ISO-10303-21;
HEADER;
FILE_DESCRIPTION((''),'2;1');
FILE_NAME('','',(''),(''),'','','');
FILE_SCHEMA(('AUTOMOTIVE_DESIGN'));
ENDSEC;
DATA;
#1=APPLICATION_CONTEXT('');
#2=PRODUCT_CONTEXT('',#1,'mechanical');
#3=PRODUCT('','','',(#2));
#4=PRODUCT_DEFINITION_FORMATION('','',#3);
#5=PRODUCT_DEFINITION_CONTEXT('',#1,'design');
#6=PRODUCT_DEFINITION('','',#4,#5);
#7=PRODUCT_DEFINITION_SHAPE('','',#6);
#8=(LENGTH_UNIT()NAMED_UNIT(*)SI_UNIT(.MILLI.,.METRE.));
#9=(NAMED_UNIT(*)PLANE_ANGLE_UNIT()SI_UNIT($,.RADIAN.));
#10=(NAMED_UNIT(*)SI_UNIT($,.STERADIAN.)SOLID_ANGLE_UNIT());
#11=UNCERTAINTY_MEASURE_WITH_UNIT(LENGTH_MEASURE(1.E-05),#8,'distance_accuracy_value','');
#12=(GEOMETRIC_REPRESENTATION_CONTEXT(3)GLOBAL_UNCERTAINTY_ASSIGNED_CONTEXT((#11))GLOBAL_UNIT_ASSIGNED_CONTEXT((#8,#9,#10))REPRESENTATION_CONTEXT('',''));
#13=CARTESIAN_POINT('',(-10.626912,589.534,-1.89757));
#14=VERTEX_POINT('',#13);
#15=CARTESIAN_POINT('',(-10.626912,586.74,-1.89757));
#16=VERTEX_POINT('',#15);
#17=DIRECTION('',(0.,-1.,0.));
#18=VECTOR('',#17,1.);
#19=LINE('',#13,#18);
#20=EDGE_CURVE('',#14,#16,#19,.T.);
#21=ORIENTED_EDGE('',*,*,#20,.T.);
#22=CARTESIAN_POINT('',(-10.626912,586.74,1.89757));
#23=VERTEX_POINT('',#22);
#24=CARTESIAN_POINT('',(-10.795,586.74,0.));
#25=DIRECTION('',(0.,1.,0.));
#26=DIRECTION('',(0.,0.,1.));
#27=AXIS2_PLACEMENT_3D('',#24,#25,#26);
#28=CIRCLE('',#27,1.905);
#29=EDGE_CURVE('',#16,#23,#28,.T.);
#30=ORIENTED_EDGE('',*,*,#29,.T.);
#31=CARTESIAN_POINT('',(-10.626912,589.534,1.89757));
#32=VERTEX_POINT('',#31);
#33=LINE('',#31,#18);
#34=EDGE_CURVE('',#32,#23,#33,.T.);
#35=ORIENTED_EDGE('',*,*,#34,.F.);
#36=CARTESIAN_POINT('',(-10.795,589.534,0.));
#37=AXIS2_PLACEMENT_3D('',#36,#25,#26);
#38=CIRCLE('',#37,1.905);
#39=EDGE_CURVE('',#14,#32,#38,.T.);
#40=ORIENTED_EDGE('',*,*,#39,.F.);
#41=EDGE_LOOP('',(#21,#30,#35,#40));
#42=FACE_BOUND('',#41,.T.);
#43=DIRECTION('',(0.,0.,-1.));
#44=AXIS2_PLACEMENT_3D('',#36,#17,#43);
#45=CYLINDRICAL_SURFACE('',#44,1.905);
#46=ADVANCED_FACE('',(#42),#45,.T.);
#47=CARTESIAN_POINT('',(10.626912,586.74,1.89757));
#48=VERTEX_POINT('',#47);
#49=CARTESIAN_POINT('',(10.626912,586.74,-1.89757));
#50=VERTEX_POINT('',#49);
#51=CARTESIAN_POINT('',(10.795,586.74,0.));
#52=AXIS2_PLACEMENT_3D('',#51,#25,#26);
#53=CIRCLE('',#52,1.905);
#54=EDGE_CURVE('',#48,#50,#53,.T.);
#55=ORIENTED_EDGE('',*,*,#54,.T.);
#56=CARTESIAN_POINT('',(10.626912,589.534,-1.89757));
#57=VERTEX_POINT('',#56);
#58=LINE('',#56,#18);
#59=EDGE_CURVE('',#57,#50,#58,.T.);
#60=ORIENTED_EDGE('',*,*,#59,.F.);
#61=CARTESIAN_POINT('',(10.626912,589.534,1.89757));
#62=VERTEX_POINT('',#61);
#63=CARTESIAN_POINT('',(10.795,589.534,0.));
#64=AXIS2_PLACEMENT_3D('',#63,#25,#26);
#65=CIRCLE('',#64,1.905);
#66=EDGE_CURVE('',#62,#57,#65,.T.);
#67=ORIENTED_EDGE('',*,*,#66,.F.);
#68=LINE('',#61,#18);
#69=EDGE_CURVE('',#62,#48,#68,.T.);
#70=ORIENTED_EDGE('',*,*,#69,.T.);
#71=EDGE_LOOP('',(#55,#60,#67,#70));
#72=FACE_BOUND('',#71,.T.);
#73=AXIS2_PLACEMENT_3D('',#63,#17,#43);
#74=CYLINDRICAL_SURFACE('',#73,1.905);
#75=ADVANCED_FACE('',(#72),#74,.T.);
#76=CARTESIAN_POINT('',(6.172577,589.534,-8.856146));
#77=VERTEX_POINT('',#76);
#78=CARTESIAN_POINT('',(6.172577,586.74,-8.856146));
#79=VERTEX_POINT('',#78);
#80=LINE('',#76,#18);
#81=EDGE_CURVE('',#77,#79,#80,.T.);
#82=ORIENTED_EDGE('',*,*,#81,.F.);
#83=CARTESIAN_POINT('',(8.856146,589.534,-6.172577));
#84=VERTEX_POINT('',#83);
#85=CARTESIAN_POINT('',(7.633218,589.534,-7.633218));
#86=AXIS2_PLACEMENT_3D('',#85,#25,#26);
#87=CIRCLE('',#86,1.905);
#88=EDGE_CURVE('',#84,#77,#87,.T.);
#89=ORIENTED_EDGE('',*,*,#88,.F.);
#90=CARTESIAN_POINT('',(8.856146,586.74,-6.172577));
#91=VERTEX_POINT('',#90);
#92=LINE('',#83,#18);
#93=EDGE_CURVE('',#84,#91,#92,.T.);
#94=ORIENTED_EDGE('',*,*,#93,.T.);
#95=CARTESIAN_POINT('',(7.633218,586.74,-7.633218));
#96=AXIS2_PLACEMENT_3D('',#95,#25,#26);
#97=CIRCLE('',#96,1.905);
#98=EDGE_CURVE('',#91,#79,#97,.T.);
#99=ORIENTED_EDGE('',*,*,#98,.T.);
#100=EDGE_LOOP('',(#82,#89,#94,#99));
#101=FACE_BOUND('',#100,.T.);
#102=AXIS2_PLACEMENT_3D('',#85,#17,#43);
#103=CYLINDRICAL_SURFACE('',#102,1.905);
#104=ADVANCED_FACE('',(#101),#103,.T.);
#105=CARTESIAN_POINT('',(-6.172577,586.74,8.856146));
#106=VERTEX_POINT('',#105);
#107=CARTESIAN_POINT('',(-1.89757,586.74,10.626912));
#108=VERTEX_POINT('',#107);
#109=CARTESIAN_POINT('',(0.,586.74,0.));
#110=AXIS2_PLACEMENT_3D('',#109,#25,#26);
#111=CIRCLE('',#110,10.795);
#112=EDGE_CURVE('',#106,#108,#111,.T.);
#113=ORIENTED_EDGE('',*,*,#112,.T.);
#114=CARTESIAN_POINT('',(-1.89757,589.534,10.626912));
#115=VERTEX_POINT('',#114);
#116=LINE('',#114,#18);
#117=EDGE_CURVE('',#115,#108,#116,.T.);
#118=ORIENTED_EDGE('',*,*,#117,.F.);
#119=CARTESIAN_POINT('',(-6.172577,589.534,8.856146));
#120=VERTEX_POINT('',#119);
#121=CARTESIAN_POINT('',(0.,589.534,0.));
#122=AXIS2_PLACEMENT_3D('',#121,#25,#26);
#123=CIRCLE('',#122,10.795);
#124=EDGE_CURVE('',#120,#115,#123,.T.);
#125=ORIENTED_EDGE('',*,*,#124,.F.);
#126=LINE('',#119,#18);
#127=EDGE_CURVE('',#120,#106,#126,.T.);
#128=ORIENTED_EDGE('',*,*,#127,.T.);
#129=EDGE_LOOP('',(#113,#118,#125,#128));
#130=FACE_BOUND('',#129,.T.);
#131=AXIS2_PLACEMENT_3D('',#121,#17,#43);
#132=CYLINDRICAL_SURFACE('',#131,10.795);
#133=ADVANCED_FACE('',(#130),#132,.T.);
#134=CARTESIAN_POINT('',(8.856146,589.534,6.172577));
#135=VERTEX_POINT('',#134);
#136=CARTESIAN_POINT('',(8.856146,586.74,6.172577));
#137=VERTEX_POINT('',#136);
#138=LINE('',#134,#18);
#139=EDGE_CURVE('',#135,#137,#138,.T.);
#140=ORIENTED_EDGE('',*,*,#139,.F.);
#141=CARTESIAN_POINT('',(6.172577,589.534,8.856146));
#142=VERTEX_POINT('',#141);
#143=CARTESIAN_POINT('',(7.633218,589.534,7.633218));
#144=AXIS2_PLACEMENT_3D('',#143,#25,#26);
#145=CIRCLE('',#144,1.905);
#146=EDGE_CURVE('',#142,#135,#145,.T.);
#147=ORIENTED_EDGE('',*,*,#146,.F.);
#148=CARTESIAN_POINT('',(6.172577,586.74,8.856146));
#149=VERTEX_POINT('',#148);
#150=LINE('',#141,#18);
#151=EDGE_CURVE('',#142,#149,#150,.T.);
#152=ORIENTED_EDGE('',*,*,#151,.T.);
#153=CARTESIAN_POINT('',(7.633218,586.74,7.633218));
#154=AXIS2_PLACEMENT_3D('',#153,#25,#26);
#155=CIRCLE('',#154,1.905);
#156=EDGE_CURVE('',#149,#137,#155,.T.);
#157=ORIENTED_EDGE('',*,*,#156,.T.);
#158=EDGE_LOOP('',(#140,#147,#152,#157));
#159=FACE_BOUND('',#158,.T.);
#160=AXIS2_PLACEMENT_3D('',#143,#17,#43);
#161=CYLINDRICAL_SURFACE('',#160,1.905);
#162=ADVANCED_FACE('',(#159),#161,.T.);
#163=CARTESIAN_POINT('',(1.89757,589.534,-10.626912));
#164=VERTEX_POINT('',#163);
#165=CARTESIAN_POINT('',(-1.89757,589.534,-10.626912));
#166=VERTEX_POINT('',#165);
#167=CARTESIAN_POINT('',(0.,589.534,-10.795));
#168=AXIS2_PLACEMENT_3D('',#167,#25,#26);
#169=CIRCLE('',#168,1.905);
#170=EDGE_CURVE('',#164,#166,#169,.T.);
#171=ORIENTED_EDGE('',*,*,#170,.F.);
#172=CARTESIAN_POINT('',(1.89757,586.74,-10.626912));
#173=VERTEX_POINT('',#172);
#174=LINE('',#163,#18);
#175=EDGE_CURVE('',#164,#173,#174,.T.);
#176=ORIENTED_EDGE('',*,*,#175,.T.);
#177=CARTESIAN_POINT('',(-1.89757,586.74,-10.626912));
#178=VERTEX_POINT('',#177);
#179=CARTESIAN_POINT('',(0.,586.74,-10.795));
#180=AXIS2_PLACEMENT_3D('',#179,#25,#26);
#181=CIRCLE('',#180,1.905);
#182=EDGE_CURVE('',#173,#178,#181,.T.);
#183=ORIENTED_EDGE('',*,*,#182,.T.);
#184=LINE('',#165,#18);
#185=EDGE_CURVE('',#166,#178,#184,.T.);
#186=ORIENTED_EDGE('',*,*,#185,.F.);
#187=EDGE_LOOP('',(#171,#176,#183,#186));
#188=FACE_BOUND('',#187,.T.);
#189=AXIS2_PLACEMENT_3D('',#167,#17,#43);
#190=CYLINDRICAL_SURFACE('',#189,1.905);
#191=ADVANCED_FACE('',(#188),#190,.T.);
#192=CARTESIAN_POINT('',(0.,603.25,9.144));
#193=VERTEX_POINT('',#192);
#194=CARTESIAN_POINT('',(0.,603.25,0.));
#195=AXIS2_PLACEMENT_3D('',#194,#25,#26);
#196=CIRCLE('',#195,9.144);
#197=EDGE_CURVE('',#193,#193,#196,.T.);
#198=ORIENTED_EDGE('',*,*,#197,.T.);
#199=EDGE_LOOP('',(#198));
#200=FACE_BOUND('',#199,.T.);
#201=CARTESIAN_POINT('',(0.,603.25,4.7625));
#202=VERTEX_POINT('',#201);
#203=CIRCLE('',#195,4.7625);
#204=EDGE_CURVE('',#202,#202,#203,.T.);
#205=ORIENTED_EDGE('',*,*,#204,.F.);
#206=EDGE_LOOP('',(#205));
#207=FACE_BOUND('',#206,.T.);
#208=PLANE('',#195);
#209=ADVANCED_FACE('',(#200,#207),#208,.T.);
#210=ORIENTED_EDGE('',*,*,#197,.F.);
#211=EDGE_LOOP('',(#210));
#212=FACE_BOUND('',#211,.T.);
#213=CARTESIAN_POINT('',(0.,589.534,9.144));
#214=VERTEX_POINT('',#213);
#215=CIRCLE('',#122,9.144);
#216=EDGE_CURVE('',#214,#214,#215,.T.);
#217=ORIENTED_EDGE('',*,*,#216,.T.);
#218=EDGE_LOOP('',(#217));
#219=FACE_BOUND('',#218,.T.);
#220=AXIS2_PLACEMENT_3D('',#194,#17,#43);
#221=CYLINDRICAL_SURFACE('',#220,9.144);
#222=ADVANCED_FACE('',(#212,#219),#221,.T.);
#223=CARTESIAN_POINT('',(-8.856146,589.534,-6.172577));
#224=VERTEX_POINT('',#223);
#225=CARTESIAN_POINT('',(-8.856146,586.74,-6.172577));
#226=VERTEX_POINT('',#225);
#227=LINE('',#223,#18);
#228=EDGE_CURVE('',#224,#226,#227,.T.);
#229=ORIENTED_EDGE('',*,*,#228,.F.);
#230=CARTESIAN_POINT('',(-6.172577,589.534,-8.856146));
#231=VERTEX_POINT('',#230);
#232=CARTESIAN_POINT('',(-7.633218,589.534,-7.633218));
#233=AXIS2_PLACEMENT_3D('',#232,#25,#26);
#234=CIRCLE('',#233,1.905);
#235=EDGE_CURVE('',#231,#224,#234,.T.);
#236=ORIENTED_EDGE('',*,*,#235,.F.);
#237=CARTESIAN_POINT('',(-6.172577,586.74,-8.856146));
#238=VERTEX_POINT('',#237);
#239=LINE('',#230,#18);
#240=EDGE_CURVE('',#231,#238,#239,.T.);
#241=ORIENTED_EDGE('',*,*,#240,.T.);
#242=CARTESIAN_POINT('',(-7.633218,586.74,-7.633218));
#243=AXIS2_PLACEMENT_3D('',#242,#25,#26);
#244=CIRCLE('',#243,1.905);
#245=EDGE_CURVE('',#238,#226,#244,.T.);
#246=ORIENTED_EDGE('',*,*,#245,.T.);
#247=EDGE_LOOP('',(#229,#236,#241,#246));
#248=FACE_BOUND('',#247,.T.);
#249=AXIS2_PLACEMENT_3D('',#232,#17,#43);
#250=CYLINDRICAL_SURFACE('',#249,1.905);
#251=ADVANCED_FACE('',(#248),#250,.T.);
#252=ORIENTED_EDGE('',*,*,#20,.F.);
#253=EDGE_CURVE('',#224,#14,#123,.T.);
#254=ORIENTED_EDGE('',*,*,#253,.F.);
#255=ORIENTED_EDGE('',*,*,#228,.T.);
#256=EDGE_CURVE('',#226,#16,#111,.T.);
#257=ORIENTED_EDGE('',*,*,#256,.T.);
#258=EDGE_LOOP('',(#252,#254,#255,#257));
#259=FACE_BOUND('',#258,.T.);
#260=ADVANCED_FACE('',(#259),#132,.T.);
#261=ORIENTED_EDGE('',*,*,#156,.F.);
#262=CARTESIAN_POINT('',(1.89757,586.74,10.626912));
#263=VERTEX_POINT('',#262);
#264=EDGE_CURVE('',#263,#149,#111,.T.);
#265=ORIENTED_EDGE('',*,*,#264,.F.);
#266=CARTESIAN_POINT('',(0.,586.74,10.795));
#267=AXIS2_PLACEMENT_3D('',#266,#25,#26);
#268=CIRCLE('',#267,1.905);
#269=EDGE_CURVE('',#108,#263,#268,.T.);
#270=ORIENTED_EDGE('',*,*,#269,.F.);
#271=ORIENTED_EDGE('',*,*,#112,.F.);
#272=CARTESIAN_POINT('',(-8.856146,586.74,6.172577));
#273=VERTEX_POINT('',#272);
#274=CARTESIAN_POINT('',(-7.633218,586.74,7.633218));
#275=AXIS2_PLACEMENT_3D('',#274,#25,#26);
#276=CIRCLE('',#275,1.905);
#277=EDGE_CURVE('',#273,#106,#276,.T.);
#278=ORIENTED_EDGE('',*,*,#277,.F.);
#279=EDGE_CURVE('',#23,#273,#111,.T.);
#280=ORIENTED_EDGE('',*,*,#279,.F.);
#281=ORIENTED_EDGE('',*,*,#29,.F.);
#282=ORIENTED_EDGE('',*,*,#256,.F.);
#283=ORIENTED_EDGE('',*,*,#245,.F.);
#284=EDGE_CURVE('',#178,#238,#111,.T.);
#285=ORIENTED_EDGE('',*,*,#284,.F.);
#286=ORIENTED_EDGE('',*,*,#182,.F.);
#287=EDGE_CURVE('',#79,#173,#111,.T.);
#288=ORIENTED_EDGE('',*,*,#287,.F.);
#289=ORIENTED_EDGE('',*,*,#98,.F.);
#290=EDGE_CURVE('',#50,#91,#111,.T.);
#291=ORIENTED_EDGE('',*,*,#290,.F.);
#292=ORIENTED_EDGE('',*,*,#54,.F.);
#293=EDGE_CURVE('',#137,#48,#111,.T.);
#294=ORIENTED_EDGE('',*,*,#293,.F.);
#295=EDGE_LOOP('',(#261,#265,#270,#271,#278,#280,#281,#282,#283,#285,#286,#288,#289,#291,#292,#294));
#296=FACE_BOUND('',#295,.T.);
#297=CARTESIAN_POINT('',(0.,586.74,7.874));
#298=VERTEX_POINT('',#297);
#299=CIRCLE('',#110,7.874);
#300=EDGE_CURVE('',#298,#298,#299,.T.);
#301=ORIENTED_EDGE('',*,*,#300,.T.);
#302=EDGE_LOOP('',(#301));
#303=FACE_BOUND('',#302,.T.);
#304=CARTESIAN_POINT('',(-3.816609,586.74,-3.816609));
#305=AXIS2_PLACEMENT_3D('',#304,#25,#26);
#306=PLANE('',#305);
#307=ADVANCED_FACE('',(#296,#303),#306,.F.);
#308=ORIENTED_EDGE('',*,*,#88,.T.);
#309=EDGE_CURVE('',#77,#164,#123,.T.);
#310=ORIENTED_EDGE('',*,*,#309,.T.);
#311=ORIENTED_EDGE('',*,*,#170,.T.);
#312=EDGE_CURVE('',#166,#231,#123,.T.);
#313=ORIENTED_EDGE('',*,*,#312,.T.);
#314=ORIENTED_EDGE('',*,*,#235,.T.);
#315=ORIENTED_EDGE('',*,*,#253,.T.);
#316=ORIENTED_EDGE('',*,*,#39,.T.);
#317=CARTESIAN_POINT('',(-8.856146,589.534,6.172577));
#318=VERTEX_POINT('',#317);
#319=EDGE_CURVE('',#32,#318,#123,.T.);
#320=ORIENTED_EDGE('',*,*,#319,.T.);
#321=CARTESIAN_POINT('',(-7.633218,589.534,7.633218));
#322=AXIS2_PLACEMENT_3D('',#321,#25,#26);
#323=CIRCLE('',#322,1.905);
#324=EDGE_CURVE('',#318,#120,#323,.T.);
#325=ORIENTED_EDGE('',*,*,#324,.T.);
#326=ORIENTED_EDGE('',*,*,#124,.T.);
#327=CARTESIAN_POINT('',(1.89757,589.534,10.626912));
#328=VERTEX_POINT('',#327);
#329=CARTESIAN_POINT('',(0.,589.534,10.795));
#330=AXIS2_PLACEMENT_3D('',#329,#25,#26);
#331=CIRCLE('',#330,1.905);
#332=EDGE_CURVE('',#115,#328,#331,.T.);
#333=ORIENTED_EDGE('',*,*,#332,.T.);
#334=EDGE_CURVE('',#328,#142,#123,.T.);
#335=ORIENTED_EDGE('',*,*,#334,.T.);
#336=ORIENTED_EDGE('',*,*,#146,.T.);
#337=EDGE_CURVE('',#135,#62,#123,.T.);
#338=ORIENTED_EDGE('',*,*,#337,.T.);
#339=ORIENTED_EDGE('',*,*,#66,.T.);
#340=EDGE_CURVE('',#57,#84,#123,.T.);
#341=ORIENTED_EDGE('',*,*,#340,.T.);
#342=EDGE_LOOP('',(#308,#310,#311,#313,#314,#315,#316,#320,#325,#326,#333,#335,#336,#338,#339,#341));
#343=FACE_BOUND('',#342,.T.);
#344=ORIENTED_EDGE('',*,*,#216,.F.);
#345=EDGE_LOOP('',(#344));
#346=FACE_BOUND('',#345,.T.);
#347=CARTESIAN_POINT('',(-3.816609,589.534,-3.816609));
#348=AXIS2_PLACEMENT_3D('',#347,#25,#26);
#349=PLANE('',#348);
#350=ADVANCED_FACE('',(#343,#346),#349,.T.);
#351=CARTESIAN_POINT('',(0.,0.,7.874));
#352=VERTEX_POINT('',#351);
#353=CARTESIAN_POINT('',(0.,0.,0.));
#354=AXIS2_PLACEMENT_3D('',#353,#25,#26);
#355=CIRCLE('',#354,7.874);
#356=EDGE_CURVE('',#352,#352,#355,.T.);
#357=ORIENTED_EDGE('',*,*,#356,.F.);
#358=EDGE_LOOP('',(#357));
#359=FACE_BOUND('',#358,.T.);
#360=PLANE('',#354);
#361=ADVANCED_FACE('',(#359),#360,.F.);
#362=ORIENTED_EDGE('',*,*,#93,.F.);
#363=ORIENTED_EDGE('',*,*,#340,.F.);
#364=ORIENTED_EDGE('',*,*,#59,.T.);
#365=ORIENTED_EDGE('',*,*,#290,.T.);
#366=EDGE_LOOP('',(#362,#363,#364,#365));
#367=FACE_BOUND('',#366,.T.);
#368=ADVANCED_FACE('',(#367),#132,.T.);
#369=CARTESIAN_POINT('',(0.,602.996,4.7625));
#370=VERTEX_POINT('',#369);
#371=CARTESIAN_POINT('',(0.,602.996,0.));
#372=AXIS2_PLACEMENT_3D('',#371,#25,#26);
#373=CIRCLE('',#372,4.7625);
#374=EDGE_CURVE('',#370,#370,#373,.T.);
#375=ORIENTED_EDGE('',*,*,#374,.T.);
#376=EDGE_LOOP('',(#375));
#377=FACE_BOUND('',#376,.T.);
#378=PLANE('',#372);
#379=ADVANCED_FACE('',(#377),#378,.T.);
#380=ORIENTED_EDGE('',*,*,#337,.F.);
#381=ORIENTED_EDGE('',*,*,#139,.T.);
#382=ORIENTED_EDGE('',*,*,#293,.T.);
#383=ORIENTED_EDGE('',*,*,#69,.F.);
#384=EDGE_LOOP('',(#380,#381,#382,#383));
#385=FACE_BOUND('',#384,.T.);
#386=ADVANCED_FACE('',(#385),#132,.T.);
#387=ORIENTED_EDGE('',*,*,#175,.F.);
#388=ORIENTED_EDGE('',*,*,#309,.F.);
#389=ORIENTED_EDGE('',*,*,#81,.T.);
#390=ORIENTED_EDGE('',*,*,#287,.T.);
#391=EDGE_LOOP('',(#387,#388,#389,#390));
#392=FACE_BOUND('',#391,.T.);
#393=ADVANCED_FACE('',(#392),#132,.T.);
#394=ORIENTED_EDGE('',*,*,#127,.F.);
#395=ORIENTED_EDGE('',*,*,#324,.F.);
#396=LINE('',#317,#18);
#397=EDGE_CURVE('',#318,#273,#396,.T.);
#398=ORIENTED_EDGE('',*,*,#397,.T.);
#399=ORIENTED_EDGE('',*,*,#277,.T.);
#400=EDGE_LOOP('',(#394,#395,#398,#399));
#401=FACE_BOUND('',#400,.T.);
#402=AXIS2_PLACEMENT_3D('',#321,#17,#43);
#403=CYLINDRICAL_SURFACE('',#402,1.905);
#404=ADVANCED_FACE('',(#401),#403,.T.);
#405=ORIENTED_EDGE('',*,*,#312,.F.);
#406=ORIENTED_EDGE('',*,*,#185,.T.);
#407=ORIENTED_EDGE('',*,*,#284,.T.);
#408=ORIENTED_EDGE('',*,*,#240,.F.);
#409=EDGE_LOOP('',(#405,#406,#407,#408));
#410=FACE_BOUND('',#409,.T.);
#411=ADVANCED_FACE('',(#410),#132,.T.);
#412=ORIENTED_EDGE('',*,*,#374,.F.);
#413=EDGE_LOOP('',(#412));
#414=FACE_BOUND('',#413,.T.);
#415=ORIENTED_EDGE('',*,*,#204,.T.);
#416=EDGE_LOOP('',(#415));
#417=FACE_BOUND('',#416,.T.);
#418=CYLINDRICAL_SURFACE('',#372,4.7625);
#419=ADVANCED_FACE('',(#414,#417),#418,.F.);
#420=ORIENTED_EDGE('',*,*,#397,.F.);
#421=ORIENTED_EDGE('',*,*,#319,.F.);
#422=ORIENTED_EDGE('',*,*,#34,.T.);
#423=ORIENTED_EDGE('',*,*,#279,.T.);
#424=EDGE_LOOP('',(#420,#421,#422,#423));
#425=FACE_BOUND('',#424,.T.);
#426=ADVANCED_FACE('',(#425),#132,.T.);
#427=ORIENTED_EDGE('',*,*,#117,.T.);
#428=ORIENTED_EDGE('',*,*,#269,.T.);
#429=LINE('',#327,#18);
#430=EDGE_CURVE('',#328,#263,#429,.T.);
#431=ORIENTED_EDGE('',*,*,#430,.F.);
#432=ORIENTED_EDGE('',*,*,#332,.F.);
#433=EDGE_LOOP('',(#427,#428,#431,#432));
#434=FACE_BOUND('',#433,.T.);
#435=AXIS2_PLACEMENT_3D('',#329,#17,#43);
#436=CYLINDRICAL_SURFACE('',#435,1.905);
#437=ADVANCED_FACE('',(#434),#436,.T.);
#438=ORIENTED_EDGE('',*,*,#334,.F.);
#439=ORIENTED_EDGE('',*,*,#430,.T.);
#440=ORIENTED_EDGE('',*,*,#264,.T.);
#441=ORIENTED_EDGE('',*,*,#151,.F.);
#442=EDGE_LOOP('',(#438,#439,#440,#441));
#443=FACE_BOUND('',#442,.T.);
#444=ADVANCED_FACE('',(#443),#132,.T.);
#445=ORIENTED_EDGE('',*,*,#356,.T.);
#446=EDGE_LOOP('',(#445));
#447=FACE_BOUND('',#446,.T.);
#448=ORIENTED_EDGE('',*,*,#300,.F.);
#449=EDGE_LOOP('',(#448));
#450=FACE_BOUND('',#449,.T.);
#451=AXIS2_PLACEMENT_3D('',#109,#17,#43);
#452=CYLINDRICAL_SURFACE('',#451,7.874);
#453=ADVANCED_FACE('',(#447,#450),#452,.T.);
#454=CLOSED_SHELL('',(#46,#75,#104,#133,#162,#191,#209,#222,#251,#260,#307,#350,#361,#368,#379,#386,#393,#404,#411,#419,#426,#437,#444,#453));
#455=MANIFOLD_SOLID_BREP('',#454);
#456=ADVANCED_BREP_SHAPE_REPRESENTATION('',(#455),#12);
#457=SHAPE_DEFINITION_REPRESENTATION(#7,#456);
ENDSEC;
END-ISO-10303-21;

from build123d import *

# Parameters (mm, degrees)
SKETCH2_R           = 7.874
BOSS_EXTRUDE1_DEPTH = 586.74
BOSS_EXTRUDE3_DEPTH = 2.794
SKETCH4_R           = 9.144
BOSS_EXTRUDE4_DEPTH = 13.716
SKETCH6_R           = 4.7625
CUT_EXTRUDE1_DEPTH  = 0.254


with BuildPart() as part:
    # Sketch2 → Boss-Extrude1 (new body)
    with BuildSketch(Plane(origin=(0, 0, 0), x_dir=(1, 0, 0), z_dir=(0, 1, 0))):
        with Locations(Location((0, 0, 0), (0, 0, 270))):
            Circle(SKETCH2_R)
    extrude(amount=BOSS_EXTRUDE1_DEPTH)

    # Sketch3 → Boss-Extrude3 (add)
    with BuildSketch(Plane(origin=(0, 586.74, 0), x_dir=(1, 0, 0), z_dir=(0, 1, 0))):
        with BuildLine():
            ThreePointArc((-8.856145882, 6.172576861), (-9.973279553, 4.131067652), (-10.626911765, 1.897569853))
            ThreePointArc((-10.626911765, 1.897569853), (-12.7, 0), (-10.626911765, -1.897569853))
            ThreePointArc((-10.626911765, -1.897569853), (-9.973279553, -4.131067652), (-8.856145882, -6.172576861))
            ThreePointArc((-8.856145882, -6.172576861), (-8.980256121, -8.980256121), (-6.172576861, -8.856145882))
            ThreePointArc((-6.172576861, -8.856145882), (-4.131067652, -9.973279553), (-1.897569853, -10.626911765))
            ThreePointArc((-1.897569853, -10.626911765), (0, -12.7), (1.897569853, -10.626911765))
            ThreePointArc((1.897569853, -10.626911765), (4.131067652, -9.973279553), (6.172576861, -8.856145882))
            ThreePointArc((6.172576861, -8.856145882), (8.980256121, -8.980256121), (8.856145882, -6.172576861))
            ThreePointArc((8.856145882, -6.172576861), (9.973279553, -4.131067652), (10.626911765, -1.897569853))
            ThreePointArc((10.626911765, -1.897569853), (12.7, 0), (10.626911765, 1.897569853))
            ThreePointArc((10.626911765, 1.897569853), (9.973279553, 4.131067652), (8.856145882, 6.172576861))
            ThreePointArc((8.856145882, 6.172576861), (8.980256121, 8.980256121), (6.172576861, 8.856145882))
            ThreePointArc((6.172576861, 8.856145882), (4.131067652, 9.973279553), (1.897569853, 10.626911765))
            ThreePointArc((1.897569853, 10.626911765), (0, 12.7), (-1.897569853, 10.626911765))
            ThreePointArc((-1.897569853, 10.626911765), (-4.131067652, 9.973279553), (-6.172576861, 8.856145882))
            ThreePointArc((-6.172576861, 8.856145882), (-8.980256121, 8.980256121), (-8.856145882, 6.172576861))
        make_face()
    extrude(amount=BOSS_EXTRUDE3_DEPTH)

    # Sketch4 → Boss-Extrude4 (add)
    with BuildSketch(Plane(origin=(0, 589.534, 0), x_dir=(1, 0, 0), z_dir=(0, 1, 0))):
        with Locations(Location((0, 0, 0), (0, 0, 270))):
            Circle(SKETCH4_R)
    extrude(amount=BOSS_EXTRUDE4_DEPTH)

    # Sketch6 → Cut-Extrude1 (cut)
    with BuildSketch(Plane(origin=(0, 603.25, 0), x_dir=(1, 0, 0), z_dir=(0, 1, 0))):
        with Locations(Location((0, 0, 0), (0, 0, 270))):
            Circle(SKETCH6_R)
    extrude(amount=-CUT_EXTRUDE1_DEPTH, mode=Mode.SUBTRACT)


solid = part.part
